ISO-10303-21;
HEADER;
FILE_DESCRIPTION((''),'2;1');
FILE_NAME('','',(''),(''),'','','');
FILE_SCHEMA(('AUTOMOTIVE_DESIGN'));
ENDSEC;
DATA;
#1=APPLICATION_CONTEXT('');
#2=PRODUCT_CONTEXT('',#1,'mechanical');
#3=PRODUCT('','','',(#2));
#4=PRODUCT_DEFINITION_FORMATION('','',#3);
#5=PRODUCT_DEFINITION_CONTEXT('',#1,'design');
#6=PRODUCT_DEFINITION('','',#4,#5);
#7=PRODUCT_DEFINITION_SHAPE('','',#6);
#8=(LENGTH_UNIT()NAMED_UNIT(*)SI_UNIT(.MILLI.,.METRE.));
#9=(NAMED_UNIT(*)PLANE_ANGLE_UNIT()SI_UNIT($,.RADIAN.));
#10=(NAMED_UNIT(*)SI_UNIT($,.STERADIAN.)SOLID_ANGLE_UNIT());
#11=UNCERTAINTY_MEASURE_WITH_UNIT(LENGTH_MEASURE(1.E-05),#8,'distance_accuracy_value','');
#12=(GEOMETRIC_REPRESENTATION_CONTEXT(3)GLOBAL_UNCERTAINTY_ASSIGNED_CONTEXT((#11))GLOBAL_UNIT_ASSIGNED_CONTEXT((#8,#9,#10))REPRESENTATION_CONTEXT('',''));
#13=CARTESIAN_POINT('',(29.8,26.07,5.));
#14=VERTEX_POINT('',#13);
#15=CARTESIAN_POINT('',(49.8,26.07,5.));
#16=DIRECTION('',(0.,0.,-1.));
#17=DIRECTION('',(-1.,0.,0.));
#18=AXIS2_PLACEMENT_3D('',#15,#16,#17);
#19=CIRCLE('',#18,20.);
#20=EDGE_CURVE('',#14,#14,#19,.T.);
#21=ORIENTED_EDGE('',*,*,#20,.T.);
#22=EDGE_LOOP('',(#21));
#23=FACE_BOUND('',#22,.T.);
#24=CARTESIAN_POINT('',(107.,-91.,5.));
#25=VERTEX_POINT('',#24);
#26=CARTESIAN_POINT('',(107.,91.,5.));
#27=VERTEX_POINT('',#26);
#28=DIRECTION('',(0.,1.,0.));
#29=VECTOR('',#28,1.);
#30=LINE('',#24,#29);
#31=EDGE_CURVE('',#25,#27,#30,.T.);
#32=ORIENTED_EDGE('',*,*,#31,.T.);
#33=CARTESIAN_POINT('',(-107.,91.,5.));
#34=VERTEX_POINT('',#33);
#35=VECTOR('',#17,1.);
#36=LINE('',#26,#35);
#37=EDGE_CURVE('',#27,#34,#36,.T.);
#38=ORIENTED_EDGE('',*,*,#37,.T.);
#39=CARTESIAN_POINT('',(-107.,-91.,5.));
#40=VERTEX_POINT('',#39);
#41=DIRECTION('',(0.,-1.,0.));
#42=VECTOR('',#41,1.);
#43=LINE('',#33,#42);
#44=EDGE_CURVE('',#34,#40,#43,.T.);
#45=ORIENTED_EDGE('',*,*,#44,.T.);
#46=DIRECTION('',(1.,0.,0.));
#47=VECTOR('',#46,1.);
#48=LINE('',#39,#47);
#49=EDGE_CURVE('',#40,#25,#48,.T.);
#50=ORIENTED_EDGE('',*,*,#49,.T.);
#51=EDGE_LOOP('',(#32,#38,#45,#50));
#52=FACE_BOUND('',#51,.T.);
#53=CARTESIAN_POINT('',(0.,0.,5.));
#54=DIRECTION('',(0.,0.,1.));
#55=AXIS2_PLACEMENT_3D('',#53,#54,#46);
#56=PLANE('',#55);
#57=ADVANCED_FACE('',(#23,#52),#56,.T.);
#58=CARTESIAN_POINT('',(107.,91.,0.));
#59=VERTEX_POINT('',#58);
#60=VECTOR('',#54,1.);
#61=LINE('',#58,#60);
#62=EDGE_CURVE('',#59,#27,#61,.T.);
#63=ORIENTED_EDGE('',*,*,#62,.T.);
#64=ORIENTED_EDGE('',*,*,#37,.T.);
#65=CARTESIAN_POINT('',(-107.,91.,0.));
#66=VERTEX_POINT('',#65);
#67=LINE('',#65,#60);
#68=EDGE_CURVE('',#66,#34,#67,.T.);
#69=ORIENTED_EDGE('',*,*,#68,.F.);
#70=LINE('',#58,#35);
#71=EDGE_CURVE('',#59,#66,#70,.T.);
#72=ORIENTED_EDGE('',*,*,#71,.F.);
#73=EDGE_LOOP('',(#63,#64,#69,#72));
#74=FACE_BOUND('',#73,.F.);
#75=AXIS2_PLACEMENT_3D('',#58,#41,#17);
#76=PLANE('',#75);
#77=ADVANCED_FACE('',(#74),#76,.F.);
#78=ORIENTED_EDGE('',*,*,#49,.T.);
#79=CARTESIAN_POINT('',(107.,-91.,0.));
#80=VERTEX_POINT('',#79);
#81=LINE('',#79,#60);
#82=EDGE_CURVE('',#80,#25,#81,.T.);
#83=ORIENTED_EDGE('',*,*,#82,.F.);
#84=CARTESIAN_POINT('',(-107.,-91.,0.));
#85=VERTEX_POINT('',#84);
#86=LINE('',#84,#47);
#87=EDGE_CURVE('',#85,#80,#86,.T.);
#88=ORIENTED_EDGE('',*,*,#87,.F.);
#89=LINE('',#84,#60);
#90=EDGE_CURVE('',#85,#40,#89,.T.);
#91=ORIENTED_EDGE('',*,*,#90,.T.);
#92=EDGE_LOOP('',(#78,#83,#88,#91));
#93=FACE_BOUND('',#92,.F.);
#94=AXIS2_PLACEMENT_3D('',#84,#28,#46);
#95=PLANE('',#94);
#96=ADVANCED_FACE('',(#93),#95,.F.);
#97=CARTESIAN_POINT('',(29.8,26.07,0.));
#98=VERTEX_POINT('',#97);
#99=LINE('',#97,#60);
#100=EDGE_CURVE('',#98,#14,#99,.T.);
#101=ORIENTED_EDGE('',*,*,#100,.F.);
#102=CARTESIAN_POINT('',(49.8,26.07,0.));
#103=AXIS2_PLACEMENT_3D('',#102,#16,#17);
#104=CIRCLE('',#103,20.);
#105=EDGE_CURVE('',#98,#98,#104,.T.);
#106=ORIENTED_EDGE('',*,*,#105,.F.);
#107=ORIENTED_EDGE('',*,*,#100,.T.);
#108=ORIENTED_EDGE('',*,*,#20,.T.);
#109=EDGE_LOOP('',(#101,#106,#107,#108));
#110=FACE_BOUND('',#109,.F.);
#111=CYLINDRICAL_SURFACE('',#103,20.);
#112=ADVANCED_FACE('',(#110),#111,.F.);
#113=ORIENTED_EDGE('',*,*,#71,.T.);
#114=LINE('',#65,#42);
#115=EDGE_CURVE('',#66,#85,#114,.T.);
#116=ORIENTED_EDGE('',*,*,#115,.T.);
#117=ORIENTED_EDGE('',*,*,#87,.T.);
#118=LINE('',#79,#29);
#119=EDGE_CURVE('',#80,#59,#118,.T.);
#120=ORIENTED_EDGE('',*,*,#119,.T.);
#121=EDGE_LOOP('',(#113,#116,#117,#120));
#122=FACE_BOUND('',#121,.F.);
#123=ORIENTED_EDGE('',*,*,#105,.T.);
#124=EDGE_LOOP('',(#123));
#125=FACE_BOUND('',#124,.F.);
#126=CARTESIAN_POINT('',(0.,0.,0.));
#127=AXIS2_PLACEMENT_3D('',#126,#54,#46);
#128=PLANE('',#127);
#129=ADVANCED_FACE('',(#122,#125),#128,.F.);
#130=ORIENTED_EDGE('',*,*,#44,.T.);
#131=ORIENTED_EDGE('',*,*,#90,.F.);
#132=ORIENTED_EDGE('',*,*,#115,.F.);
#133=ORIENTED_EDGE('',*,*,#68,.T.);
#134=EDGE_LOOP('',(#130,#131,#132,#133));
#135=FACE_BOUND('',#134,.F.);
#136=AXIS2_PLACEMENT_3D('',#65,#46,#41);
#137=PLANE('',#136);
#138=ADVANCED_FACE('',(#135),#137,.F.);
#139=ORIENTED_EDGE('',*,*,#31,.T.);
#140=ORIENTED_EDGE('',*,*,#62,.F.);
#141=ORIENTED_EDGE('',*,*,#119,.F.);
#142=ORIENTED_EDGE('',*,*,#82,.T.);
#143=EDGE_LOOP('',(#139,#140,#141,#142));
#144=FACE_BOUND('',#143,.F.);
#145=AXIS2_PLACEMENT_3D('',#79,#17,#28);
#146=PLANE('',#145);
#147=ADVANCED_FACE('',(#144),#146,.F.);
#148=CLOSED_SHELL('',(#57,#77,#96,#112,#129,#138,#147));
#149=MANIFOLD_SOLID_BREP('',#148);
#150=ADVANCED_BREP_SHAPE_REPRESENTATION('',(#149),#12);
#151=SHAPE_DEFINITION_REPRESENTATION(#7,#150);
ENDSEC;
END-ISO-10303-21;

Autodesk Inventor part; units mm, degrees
ref_plane "YZ Plane" through (0, 0, 0) normal (1, 0, 0) x (0, 1, 0)
ref_plane "XZ Plane" through (0, 0, 0) normal (0, 1, 0) x (-1, 0, 0)
ref_plane "XY Plane" through (0, 0, 0) normal (0, 0, 1) x (1, 0, 0)
sketch "Sketch1" plane through (0, 0, 0) normal (0, 0, 1) x (1, 0, 0)
  line L0 (-107, -91) -> (107, -91)
  line L1 (107, -91) -> (107, 91)
  line L2 (107, 91) -> (-107, 91)
  line L3 (-107, 91) -> (-107, -91)
  line L4 (-107, -91) -> (107, 91) construction
  line L5 (107, -91) -> (-107, 91) construction
  point P0 (0, 0)
  dimension "d0" = 214
  dimension "d1" = 182
extrude "Extrusion1" add sketch "Sketch1" along normal blind 5
sketch "Sketch2" plane through (0, 0, 0) normal (0, 0, -1) x (-1, 0, 0)
  circle A0 centre (-49.8, 26.07) radius 20
  line L0 (-107, -91) -> (-107, 91) projected
  line L1 (107, -91) -> (-107, -91) projected
  point P0 (0, 0)
  dimension "d4" = 57.2
  dimension "d5" = 40
  dimension "d6" = 117.07
extrude "Extrusion2" cut sketch "Sketch2" against normal blind 5
properties part number "tapa_arriba"
